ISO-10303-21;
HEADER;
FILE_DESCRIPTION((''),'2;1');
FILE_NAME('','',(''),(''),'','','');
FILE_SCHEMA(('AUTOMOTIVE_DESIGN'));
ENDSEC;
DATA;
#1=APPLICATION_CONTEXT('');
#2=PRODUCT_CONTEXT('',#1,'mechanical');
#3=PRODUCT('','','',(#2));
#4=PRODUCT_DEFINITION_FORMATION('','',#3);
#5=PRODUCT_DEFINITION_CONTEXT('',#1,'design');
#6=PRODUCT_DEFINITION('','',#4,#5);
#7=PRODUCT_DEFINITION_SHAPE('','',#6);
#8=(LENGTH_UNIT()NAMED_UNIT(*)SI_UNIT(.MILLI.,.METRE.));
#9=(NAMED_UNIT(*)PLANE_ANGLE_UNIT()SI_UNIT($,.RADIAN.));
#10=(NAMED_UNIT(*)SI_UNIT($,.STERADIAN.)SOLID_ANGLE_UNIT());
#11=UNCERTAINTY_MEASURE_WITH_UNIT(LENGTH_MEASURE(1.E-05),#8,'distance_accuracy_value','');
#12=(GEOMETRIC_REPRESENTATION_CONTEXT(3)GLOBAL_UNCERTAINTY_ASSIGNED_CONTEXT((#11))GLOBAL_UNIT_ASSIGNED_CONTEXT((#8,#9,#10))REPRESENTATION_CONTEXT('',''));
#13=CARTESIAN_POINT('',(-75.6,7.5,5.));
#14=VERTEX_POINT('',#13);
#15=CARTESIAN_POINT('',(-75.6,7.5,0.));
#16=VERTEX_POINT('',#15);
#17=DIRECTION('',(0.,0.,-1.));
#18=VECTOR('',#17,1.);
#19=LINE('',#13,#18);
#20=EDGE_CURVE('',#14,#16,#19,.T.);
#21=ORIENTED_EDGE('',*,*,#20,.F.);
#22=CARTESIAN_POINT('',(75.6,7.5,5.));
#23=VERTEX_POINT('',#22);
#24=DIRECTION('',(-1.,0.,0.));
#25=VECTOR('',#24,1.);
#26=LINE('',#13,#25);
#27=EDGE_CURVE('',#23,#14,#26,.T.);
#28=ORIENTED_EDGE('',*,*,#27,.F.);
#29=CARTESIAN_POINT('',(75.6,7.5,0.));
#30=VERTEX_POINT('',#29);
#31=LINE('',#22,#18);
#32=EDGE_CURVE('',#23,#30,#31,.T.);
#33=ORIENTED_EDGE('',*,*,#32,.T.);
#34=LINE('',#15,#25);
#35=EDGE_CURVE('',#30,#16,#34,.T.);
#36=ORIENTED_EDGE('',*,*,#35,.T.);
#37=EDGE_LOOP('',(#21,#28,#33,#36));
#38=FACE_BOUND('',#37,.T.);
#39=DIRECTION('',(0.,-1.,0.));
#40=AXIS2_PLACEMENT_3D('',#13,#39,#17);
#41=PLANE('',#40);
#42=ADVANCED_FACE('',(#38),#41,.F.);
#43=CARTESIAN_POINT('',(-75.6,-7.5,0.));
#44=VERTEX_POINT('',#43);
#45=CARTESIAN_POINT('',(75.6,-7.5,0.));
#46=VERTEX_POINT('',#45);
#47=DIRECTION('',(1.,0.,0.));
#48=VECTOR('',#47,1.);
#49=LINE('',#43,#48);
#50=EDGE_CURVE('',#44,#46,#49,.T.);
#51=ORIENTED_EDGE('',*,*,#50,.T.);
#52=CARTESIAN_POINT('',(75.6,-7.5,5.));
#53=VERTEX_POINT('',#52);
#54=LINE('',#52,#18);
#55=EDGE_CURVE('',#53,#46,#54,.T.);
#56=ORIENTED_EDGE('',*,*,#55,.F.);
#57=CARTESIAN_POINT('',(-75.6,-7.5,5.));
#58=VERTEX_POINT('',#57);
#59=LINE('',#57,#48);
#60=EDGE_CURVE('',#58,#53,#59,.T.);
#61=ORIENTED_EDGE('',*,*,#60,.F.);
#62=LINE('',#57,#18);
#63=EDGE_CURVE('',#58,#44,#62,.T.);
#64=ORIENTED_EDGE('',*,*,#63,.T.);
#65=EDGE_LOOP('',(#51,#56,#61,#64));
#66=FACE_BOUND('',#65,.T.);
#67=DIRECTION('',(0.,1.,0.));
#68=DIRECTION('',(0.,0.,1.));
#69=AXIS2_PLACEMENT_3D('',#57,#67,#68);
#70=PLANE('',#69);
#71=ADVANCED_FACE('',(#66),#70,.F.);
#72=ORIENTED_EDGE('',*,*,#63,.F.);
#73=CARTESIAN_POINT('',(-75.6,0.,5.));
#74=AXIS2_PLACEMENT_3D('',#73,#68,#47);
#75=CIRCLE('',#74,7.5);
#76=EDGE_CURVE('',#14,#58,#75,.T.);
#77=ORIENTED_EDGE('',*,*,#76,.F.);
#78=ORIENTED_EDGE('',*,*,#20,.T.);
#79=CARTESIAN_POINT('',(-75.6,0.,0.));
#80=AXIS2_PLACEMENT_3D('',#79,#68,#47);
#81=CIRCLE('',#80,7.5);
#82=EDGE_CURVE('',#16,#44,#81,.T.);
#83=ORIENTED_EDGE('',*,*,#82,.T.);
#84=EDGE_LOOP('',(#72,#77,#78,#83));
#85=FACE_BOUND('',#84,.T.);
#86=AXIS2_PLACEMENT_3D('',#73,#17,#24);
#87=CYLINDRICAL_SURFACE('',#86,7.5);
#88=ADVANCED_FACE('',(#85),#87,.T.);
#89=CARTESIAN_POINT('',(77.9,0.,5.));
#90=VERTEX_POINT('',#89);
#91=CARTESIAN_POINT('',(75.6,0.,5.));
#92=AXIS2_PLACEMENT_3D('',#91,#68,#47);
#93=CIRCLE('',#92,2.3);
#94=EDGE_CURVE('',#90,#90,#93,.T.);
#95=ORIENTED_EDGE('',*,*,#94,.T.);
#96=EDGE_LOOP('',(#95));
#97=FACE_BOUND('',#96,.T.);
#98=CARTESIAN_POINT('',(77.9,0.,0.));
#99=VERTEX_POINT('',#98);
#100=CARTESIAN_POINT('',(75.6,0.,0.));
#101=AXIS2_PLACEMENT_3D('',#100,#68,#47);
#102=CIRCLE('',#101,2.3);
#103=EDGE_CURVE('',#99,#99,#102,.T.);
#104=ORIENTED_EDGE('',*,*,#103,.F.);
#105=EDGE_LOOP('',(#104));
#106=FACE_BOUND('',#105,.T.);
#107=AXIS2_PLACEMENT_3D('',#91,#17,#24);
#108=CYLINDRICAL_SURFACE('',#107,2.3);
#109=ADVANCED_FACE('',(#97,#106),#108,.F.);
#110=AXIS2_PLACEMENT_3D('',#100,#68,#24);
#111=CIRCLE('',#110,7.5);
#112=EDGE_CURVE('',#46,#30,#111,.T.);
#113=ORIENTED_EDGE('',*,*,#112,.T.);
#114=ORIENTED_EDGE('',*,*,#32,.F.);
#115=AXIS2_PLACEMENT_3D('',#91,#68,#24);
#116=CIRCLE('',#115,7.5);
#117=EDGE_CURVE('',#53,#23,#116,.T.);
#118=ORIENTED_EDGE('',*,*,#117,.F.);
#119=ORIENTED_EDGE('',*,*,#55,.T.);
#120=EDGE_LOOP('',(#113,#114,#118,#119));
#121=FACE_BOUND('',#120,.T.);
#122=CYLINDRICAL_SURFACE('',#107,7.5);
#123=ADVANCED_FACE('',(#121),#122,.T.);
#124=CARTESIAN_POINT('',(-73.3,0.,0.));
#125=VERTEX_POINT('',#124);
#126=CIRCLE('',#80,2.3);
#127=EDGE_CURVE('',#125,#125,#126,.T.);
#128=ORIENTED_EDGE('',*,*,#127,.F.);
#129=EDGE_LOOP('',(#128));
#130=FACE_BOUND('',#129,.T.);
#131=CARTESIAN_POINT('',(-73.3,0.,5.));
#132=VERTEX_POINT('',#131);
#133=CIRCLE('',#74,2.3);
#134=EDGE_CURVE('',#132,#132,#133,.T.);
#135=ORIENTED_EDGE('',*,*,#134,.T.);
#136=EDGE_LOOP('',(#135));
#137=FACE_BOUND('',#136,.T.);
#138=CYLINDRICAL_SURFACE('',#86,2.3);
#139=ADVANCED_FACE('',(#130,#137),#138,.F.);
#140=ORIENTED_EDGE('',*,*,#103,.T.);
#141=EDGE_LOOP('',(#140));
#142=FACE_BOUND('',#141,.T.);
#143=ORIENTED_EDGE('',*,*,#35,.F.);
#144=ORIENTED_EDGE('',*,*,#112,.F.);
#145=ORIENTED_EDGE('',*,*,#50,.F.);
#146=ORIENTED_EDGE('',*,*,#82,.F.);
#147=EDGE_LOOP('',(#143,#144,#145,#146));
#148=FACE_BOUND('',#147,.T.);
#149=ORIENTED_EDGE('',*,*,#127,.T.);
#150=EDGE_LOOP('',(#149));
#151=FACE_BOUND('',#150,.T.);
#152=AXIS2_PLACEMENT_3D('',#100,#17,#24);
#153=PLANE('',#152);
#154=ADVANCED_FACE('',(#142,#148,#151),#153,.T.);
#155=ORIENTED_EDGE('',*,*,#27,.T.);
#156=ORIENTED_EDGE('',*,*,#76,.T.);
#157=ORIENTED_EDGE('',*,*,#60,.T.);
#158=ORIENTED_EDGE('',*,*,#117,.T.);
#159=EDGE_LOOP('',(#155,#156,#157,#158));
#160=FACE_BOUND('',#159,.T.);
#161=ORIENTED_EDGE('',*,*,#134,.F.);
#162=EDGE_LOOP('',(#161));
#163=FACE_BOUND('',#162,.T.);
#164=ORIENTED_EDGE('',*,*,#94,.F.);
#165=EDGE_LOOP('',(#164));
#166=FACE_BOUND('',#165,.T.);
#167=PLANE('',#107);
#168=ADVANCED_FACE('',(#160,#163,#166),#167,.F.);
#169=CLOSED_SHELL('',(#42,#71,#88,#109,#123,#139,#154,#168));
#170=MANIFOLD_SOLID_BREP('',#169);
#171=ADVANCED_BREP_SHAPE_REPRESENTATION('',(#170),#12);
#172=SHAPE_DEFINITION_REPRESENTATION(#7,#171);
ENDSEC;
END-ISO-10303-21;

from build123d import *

# Parameters (mm, degrees)
SKETCH_1_R      = 2.3
EXTRUDE_1_DEPTH = 5


with BuildPart() as part:
    # 草图1 → 凸台-拉伸1 (new body)
    with BuildSketch(Plane.XY):
        with BuildLine():
            Line((-75.6, 7.5), (75.6, 7.5))
            ThreePointArc((75.6, 7.5), (83.1, 0), (75.6, -7.5))
            Line((75.6, -7.5), (-75.6, -7.5))
            ThreePointArc((-75.6, -7.5), (-83.1, 0), (-75.6, 7.5))
        make_face()
        with Locations((-75.6, 0)):
            Circle(SKETCH_1_R, mode=Mode.SUBTRACT)
        with Locations((75.6, 0)):
            Circle(SKETCH_1_R, mode=Mode.SUBTRACT)
    extrude(amount=EXTRUDE_1_DEPTH)


solid = part.part
